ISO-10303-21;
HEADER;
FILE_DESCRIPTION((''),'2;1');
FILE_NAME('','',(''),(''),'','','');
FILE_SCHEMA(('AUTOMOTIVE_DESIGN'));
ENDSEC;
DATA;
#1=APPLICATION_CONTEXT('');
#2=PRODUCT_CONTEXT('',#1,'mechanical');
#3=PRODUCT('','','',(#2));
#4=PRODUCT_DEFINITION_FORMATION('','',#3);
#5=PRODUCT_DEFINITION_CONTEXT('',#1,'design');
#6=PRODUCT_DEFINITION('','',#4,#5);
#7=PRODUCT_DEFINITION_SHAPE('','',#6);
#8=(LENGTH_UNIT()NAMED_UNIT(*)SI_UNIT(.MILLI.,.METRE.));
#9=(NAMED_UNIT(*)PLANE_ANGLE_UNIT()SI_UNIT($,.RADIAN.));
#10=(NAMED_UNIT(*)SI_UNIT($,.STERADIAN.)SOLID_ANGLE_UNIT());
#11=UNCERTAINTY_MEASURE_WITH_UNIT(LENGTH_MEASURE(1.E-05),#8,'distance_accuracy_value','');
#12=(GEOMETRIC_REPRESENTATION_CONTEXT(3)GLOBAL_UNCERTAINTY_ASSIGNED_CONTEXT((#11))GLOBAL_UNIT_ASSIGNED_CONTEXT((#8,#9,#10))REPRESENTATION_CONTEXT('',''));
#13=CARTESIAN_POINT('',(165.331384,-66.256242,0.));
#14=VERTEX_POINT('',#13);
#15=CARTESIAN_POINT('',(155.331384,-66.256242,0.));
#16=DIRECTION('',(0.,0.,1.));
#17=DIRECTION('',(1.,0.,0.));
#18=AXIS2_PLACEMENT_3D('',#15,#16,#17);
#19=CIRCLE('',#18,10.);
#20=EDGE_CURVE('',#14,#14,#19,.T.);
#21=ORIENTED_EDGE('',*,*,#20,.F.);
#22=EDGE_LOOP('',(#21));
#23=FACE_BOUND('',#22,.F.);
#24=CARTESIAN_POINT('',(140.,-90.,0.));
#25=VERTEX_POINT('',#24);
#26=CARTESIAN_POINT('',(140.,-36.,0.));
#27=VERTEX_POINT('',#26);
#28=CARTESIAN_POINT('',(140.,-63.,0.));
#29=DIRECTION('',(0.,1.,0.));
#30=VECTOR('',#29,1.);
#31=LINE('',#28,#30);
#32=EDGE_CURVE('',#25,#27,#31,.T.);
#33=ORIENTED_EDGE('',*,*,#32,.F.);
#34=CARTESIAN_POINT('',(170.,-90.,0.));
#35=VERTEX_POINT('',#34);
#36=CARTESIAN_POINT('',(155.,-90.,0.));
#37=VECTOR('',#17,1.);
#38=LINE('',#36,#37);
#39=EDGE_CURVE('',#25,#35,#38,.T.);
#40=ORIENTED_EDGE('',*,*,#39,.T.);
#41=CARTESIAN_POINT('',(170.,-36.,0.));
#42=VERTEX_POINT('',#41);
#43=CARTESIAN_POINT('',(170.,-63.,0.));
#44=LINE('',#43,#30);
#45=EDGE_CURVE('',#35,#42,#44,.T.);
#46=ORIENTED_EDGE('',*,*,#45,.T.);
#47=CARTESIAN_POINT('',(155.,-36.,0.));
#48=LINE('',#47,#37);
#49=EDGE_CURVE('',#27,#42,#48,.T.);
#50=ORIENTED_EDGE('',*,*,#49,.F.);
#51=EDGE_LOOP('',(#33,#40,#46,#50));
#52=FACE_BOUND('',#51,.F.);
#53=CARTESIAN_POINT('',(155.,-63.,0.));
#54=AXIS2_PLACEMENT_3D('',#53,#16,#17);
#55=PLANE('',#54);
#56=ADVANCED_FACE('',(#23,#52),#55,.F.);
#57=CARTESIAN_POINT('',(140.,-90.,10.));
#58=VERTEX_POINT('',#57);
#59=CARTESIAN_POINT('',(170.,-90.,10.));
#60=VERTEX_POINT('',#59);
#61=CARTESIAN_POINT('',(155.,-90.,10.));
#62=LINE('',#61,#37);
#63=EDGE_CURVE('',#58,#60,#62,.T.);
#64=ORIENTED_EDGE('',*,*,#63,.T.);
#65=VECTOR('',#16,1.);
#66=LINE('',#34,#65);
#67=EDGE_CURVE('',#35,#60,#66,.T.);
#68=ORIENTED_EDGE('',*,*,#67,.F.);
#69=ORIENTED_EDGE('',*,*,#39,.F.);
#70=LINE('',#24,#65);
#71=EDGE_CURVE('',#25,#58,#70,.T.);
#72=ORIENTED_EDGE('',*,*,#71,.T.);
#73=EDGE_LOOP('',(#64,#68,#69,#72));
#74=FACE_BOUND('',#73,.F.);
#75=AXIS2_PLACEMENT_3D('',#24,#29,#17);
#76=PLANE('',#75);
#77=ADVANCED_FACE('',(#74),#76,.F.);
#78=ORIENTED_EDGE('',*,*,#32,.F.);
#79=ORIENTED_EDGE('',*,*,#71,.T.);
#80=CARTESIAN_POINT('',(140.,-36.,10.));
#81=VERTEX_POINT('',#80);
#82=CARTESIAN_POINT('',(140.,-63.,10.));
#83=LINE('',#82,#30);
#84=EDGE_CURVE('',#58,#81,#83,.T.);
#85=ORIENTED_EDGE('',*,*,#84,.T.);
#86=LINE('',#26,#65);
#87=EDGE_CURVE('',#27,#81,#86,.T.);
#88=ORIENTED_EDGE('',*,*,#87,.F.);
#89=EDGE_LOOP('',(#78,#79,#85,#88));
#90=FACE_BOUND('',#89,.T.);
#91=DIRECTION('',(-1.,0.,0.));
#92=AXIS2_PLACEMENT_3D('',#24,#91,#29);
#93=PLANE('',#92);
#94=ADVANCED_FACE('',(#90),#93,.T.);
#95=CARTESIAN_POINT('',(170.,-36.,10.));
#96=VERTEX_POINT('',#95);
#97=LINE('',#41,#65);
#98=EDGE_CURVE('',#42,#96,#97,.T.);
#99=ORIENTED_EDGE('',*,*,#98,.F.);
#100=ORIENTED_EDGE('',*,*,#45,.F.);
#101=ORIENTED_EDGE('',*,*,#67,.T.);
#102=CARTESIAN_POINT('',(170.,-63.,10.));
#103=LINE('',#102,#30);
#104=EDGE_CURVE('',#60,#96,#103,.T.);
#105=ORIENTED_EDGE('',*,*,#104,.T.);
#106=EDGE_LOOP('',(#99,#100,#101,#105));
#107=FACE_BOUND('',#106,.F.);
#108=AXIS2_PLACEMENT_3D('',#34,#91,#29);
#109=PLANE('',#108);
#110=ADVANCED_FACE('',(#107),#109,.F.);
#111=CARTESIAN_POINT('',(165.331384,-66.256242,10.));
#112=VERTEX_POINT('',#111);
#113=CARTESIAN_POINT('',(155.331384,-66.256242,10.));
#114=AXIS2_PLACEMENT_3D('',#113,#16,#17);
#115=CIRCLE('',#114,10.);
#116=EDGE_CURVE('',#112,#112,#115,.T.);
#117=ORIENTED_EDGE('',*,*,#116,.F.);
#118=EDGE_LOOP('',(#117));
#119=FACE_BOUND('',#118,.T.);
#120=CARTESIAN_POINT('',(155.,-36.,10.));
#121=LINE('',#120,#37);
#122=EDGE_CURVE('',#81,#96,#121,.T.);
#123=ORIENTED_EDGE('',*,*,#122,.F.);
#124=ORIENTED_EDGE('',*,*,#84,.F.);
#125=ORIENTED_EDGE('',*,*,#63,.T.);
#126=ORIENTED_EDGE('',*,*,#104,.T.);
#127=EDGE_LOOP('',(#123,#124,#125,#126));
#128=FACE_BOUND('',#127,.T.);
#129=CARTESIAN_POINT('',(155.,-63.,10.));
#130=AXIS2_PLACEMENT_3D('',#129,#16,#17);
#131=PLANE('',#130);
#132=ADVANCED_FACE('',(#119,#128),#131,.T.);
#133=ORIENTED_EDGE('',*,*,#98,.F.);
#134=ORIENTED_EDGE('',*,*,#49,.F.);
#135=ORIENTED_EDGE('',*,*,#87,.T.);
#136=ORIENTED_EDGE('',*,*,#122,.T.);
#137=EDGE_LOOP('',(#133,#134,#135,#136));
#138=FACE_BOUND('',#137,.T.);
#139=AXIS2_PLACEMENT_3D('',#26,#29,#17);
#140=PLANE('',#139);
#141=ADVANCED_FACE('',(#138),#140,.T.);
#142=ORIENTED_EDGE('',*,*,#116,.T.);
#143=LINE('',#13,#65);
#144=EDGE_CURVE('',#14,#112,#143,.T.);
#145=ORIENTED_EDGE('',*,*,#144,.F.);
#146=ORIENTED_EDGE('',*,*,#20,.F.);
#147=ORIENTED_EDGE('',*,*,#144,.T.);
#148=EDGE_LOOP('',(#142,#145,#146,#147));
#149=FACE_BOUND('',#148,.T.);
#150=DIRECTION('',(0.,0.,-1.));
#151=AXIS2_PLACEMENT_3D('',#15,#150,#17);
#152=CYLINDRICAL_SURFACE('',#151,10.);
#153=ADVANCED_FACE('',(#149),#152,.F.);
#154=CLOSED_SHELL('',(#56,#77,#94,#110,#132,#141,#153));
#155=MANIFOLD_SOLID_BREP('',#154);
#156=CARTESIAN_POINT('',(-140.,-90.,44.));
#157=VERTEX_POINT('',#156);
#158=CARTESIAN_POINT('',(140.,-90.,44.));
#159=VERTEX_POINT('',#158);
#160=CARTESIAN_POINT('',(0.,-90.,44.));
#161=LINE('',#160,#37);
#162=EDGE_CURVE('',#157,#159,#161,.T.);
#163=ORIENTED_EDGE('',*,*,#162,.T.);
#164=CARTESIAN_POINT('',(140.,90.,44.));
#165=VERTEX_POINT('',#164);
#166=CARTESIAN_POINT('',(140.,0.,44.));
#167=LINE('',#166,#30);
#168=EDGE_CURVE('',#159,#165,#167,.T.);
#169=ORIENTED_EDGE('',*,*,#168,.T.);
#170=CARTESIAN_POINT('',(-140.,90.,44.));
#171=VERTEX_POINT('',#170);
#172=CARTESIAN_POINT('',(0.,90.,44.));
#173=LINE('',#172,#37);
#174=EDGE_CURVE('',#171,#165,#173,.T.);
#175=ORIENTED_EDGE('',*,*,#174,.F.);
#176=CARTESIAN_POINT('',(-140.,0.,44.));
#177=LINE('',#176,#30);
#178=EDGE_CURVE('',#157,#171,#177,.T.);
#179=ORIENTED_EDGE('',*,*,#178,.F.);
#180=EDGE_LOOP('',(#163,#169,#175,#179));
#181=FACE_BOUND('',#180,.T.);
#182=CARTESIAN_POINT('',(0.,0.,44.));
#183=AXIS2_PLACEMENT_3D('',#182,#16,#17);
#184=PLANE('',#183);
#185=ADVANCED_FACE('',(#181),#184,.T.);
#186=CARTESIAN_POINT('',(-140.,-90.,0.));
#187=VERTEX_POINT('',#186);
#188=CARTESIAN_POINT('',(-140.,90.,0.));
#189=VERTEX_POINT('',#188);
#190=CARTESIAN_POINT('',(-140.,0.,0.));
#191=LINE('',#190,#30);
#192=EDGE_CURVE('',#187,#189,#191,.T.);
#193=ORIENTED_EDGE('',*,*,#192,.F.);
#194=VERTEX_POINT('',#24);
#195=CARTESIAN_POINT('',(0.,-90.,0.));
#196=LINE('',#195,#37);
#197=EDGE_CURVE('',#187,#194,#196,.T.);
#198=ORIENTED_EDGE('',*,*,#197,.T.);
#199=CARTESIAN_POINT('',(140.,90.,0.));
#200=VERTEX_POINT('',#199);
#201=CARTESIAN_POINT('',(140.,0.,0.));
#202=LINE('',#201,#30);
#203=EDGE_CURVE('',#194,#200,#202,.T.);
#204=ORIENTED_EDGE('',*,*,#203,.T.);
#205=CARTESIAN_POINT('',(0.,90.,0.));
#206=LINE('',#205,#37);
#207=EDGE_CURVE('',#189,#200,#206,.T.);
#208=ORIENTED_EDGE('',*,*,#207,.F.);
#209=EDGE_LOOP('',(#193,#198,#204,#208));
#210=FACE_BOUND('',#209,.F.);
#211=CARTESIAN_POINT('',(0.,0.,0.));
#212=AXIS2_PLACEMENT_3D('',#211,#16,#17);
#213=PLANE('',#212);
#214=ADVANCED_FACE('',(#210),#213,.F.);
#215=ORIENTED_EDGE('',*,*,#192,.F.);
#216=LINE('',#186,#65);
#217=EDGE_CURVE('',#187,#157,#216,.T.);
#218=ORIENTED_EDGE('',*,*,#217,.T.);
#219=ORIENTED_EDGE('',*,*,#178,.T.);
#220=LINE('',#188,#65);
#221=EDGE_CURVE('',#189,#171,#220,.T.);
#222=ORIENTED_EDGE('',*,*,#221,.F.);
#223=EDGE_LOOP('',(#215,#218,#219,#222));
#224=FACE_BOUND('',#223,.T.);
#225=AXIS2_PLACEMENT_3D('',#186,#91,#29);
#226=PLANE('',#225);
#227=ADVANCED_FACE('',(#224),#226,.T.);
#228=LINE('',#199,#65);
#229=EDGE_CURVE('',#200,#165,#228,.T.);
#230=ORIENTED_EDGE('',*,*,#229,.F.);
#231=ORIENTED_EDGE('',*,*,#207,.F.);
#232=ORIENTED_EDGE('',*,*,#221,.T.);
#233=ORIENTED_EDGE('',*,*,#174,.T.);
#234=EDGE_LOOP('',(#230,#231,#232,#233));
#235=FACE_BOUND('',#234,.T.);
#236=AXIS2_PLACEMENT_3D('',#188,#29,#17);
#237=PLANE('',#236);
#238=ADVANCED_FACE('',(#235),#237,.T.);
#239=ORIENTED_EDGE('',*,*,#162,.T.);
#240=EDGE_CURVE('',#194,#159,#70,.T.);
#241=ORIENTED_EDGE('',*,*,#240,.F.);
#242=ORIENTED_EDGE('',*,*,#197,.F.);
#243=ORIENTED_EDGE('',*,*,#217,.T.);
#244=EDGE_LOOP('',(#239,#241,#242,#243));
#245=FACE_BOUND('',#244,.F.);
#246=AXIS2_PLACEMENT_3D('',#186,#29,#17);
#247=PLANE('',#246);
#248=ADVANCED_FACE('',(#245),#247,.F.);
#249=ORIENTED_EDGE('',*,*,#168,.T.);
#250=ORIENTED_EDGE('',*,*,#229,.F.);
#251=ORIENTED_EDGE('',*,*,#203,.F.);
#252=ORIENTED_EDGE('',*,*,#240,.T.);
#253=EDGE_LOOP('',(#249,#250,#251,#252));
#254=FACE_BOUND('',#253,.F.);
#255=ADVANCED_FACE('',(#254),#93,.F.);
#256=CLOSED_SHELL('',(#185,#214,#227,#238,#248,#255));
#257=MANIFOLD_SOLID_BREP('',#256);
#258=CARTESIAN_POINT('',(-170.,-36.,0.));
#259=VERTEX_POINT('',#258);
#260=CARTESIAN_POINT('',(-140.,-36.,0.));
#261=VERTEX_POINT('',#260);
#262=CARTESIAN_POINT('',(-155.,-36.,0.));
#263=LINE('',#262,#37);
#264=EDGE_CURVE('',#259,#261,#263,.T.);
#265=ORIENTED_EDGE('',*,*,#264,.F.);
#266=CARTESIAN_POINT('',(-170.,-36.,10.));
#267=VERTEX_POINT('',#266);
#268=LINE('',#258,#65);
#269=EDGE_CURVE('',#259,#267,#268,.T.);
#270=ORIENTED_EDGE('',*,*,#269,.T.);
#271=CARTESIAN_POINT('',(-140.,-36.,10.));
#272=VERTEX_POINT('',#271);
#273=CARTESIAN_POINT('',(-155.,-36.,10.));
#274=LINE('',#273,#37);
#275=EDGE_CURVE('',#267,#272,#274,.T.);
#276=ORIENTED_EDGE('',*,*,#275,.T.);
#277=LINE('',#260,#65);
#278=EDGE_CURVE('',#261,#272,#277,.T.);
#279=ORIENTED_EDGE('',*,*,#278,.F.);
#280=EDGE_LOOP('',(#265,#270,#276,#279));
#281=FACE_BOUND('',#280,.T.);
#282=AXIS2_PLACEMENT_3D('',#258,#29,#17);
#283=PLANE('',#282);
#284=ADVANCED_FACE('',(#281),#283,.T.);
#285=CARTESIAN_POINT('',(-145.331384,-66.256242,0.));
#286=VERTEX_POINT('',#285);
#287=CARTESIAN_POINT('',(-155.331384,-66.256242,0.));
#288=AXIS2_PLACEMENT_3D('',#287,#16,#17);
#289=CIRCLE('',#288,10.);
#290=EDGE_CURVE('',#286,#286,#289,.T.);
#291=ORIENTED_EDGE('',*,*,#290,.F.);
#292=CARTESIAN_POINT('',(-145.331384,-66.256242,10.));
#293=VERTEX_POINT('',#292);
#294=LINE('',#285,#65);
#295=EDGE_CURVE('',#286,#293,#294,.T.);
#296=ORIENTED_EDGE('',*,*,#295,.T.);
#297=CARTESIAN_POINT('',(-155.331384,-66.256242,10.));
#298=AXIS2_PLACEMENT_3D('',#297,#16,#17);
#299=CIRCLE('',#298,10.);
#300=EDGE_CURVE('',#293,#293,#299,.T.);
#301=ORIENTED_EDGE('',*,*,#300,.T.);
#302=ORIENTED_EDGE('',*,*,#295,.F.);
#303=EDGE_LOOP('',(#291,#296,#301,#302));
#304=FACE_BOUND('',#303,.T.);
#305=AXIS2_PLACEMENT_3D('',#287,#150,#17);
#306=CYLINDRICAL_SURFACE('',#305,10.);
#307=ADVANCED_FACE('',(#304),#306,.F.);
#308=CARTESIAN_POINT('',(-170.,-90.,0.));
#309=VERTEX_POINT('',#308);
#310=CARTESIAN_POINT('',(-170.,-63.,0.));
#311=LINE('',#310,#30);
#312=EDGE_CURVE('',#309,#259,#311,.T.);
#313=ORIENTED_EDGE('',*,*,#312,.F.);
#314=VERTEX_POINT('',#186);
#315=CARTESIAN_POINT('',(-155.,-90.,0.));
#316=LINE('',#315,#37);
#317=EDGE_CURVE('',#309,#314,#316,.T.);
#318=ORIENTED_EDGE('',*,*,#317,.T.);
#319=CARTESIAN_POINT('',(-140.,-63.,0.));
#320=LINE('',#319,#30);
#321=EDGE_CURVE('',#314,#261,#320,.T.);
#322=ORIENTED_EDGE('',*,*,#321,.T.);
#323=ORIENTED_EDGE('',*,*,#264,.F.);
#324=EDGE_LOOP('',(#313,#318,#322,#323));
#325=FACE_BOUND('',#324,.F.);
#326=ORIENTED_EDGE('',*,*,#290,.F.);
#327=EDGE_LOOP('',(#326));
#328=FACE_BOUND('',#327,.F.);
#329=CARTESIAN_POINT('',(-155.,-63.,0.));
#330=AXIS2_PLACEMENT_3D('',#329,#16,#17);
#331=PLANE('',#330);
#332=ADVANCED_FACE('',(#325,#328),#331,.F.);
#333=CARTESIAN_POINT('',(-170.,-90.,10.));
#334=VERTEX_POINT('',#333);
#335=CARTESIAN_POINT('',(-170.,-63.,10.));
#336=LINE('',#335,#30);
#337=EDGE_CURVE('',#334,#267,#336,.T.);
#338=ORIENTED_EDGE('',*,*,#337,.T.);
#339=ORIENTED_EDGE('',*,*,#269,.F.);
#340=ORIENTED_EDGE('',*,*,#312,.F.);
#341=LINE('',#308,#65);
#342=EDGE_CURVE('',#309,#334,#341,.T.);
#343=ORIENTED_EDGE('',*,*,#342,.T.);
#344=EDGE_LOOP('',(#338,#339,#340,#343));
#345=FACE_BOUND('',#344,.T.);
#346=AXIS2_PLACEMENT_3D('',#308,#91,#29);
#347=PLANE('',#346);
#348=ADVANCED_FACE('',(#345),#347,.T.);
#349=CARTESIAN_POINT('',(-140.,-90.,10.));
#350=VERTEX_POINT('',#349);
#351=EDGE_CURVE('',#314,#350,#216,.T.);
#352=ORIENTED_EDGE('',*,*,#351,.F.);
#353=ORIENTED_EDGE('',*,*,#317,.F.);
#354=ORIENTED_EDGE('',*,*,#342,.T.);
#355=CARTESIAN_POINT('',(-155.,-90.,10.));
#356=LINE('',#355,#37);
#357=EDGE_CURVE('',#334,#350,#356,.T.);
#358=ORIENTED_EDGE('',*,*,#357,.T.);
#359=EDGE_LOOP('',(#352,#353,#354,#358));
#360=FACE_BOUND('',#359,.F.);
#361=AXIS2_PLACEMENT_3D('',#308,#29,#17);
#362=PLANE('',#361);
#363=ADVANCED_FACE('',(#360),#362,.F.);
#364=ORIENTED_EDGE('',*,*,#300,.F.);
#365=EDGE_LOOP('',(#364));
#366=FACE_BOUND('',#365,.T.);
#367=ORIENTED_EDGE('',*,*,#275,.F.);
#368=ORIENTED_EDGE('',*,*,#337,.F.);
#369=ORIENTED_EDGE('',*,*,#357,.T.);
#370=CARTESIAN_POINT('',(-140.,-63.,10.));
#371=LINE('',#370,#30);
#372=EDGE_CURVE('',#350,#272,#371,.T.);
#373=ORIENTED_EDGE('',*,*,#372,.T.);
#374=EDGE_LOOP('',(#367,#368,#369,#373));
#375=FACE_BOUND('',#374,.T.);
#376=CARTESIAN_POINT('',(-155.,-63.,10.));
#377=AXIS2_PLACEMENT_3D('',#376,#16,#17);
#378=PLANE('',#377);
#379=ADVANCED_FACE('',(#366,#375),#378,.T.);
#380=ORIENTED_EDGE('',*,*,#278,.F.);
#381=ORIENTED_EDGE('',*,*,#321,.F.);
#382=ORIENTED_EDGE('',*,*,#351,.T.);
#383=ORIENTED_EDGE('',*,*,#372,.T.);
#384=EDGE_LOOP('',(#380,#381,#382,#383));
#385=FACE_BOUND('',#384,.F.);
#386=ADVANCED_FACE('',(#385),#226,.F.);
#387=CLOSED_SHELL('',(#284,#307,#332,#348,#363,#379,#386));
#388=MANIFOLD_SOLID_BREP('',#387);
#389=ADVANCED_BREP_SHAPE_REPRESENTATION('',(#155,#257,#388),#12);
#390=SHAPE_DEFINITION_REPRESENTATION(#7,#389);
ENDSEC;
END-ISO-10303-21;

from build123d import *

# Parameters (mm, degrees)
SKETCH_W     = 280
SKETCH_H     = 180
PAD_DEPTH    = 44
SKETCH001_W  = 30
SKETCH001_H  = 54
SKETCH001_R  = 10
PAD001_DEPTH = 10


with BuildPart() as pad:
    # Sketch → Pad (new body)
    with BuildSketch(Plane.XY):
        Rectangle(SKETCH_W, SKETCH_H)
    extrude(amount=PAD_DEPTH)


with BuildPart() as pad001:
    # Sketch001 → Pad001 (new body)
    with BuildSketch(Plane.XY):
        with Locations((155, -63)):
            Rectangle(SKETCH001_W, SKETCH001_H)
        with Locations((155.331384, -66.256242)):
            Circle(SKETCH001_R, mode=Mode.SUBTRACT)
        with Locations((-155, -63)):
            Rectangle(SKETCH001_W, SKETCH001_H)
        with Locations((-155.331384, -66.256242)):
            Circle(SKETCH001_R, mode=Mode.SUBTRACT)
    extrude(amount=PAD001_DEPTH)


solid = Compound([pad.part, pad001.part])
